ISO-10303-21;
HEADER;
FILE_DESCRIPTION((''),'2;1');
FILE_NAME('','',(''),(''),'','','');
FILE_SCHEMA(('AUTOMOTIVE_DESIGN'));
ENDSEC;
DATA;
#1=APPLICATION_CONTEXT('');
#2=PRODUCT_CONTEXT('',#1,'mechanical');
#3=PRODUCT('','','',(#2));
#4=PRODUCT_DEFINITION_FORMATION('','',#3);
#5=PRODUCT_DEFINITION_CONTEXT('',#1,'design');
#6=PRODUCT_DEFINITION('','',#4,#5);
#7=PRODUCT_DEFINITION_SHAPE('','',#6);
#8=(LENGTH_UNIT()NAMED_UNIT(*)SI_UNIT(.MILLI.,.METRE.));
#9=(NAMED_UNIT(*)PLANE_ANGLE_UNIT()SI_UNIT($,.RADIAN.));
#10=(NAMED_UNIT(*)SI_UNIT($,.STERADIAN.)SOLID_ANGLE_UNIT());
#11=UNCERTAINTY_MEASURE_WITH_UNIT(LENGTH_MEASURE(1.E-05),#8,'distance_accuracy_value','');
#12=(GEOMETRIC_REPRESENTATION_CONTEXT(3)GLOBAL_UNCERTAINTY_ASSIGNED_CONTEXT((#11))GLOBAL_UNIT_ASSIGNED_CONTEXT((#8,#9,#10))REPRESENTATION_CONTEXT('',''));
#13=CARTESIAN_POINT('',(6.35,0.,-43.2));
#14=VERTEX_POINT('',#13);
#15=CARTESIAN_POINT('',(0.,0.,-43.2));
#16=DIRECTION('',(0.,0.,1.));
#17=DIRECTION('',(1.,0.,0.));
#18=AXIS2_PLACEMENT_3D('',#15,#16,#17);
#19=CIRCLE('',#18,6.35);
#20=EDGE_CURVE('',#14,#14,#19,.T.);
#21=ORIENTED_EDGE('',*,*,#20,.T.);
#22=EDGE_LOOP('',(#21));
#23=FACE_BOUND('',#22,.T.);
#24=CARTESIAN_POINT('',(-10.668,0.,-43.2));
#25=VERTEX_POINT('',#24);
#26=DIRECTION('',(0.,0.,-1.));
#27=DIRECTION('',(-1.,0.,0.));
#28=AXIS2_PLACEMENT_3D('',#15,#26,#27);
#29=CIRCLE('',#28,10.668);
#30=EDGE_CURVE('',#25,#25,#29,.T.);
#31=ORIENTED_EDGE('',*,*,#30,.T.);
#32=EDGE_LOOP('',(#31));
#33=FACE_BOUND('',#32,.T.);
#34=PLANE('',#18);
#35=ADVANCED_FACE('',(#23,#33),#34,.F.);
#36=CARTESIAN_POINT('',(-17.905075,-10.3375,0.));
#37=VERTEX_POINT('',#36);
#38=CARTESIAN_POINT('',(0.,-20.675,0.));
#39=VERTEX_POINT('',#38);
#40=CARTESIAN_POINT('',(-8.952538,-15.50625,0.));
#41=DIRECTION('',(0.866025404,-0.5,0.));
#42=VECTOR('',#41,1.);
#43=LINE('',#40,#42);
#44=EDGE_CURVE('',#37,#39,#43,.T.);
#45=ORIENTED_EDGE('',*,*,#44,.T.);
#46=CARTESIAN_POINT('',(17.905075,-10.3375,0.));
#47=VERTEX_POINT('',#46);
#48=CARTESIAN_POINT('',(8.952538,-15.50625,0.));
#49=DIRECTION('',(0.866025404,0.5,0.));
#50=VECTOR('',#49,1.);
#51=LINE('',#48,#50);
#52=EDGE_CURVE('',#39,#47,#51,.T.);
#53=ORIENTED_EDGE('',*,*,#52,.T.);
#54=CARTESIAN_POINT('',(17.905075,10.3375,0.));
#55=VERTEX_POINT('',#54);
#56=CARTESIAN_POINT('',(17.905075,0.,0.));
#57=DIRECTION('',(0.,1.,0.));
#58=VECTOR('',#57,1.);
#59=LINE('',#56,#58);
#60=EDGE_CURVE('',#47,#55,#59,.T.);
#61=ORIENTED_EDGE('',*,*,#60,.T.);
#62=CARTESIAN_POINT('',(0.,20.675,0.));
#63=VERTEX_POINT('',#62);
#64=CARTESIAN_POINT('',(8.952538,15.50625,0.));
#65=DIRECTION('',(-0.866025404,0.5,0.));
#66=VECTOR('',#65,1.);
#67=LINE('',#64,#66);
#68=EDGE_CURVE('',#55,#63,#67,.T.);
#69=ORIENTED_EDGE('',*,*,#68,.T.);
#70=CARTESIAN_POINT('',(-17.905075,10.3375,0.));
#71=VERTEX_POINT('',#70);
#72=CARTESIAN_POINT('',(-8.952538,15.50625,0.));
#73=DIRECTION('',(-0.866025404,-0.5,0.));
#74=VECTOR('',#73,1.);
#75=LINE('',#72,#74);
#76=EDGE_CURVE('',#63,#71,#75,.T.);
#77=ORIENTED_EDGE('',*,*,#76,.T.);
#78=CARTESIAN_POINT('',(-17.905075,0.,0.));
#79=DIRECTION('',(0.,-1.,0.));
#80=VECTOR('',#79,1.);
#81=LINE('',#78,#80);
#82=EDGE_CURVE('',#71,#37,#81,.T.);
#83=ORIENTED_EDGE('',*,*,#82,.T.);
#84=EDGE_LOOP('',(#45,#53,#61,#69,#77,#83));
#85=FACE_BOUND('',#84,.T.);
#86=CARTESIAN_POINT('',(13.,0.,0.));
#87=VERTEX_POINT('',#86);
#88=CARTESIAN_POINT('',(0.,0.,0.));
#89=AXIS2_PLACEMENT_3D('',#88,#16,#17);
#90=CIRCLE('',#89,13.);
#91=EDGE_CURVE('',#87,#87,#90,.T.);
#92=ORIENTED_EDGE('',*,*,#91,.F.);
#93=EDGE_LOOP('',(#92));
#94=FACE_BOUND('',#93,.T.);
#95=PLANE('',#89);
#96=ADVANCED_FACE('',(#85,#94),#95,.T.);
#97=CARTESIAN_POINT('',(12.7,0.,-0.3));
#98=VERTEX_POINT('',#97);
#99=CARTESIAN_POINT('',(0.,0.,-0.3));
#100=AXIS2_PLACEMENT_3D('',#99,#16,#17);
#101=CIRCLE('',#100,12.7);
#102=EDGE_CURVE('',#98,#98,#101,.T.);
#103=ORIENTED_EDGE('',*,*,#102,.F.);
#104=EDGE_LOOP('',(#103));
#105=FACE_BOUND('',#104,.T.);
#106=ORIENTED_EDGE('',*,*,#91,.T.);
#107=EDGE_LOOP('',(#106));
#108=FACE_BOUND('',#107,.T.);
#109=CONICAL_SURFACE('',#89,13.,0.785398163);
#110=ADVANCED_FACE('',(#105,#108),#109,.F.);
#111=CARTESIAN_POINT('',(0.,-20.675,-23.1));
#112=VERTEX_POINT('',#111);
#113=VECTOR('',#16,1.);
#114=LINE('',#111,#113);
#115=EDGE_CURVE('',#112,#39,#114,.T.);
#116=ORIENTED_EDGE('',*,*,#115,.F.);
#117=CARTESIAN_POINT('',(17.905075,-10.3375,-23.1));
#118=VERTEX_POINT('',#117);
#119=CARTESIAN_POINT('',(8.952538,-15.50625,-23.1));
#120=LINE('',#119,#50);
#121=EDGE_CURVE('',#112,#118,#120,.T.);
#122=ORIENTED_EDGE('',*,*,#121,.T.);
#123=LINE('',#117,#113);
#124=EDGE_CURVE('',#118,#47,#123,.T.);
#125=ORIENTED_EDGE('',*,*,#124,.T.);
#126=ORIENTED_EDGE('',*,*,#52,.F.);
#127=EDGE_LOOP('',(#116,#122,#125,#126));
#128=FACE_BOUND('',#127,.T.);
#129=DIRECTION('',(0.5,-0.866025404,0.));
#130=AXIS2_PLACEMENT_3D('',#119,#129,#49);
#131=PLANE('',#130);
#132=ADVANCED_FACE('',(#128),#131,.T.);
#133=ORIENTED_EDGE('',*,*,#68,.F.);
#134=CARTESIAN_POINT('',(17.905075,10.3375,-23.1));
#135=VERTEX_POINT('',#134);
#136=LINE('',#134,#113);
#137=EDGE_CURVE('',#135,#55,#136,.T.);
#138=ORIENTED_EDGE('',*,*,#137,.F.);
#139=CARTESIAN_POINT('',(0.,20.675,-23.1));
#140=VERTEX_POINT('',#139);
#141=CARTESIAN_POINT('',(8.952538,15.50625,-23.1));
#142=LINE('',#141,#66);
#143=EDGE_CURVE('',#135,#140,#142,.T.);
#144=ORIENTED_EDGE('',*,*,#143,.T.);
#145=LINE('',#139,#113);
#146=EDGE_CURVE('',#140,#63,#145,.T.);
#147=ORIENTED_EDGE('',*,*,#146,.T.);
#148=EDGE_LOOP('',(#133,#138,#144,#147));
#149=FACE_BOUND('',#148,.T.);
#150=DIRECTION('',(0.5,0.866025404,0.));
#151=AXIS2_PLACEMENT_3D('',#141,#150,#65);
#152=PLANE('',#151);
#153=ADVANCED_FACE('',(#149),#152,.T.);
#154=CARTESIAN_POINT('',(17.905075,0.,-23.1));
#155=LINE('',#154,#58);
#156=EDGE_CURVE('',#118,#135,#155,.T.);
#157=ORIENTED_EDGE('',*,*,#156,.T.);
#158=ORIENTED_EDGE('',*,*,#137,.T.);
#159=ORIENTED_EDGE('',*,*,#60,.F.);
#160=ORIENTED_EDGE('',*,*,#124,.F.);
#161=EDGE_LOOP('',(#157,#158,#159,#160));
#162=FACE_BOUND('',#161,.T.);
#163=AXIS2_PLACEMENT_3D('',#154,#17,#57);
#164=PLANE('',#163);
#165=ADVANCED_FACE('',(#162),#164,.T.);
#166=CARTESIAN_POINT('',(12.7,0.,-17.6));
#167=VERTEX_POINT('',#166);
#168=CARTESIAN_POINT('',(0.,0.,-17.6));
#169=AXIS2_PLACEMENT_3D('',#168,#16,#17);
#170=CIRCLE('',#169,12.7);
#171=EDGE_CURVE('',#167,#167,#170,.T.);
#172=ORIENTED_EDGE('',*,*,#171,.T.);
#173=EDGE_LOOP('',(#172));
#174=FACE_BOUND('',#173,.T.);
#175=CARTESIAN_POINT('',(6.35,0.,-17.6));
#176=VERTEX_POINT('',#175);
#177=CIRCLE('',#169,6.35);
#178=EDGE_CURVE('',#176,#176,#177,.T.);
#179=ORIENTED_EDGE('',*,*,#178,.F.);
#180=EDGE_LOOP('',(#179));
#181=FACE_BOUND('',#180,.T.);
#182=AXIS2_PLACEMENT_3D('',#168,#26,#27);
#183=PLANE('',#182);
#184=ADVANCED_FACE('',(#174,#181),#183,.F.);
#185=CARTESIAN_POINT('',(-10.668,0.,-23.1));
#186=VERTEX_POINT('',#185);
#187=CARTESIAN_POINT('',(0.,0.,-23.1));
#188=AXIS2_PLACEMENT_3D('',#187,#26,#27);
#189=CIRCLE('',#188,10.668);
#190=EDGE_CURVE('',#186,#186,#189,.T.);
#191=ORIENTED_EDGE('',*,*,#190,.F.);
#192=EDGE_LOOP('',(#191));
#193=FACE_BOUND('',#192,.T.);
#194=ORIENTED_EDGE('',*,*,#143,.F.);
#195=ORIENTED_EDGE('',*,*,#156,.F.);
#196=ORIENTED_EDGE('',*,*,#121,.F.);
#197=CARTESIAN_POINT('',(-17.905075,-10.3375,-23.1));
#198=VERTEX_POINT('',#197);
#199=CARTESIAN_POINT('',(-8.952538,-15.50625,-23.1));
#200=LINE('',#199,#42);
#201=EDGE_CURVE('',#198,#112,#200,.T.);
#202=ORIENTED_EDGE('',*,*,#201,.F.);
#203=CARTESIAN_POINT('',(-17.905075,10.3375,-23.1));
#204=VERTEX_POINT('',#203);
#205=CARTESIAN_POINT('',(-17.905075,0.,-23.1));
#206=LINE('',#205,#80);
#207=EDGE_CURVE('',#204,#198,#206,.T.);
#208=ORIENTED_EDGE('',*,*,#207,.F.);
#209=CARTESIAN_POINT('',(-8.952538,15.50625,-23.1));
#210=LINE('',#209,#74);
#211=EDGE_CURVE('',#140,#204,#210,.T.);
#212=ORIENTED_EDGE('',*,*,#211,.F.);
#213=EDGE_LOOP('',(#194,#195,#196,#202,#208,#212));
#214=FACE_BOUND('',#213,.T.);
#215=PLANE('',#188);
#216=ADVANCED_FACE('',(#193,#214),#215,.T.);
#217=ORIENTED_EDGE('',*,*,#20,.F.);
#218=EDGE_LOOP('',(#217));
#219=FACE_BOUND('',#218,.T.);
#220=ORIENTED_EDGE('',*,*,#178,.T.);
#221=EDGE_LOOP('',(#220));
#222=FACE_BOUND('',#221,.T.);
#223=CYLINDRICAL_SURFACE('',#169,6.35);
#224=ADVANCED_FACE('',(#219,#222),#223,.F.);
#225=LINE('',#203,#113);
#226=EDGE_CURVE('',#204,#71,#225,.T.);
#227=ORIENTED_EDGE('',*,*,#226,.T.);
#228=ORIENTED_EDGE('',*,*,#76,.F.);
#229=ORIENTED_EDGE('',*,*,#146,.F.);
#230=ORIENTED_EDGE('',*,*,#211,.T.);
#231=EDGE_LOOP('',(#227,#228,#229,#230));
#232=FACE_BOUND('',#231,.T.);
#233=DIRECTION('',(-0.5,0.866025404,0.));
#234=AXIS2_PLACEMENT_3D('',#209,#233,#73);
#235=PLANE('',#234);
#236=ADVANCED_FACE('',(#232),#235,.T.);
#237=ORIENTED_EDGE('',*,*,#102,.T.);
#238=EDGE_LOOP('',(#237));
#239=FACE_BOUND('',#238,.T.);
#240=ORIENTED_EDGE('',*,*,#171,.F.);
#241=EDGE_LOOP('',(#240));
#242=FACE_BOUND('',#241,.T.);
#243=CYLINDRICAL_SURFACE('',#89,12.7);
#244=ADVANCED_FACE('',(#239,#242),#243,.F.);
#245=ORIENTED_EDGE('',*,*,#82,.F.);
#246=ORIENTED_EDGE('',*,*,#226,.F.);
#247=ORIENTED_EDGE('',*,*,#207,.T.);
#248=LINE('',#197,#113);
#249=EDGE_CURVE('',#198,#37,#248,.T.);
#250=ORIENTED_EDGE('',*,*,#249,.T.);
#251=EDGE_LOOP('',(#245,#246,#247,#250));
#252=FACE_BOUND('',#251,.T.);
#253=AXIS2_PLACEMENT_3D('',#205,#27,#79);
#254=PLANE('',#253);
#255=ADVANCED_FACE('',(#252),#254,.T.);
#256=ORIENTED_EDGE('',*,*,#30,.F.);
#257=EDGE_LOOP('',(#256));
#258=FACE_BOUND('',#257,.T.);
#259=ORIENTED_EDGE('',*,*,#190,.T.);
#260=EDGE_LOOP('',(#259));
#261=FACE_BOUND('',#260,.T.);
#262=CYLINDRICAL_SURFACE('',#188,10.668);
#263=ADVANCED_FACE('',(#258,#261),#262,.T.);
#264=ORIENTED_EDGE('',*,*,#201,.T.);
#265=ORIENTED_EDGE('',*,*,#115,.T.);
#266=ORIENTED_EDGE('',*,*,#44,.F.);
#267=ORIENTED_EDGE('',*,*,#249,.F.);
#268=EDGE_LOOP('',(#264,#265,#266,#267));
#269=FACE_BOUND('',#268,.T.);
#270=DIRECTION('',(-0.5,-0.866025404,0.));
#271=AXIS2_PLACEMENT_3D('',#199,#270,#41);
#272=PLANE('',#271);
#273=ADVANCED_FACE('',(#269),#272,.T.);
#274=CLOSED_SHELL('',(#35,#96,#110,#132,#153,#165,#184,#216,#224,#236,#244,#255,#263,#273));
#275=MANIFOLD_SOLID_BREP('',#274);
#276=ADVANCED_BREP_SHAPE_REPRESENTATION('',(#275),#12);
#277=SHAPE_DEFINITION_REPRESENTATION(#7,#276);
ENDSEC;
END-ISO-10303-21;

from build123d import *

# Parameters (mm, degrees)
SCHIZZO10_R                  = 20.675
ESTRUSIONE_ESTRUSIONE5_DEPTH = 43.2
TAGLIO_ESTRUSIONE11_DEPTH    = 23.1
FORO_25_5_25_4_1_D           = 25.4
FORO_25_5_25_4_1_DEPTH       = 17.6
FORO_25_5_25_4_1_CSINK_D     = 26
FORO_25_5_25_4_1_CSINK_ANGLE = 90
FORO_25_5_12_7_1_D           = 12.7
TAGLIO_ESTRUSIONE12_START    = -20.1
SCHIZZO24_R                  = 20.675
SCHIZZO24_R_2                = 10.668
TAGLIO_ESTRUSIONE12_DEPTH    = 20.1


with BuildPart() as part:
    # Schizzo10 → Estrusione-Estrusione5 (new body)
    with BuildSketch(Plane.XY):
        Circle(SCHIZZO10_R)
    extrude(amount=-ESTRUSIONE_ESTRUSIONE5_DEPTH)

    # Schizzo16 → Taglio-Estrusione11 (cut)
    with BuildSketch(Plane.XY):
        with BuildLine():
            Line((-17.905075223, 10.3375), (0, 20.675))
            ThreePointArc((0, 20.675), (-10.3375, 17.905075223), (-17.905075223, 10.3375))
        make_face()
        with BuildLine():
            ThreePointArc((17.905075223, 10.3375), (10.3375, 17.905075223), (0, 20.675))
            Line((0, 20.675), (17.905075223, 10.3375))
        make_face()
        with BuildLine():
            Line((-17.905075223, -10.3375), (-17.905075223, 10.3375))
            ThreePointArc((-17.905075223, 10.3375), (-20.675, 0), (-17.905075223, -10.3375))
        make_face()
        with BuildLine():
            Line((0, -20.675), (-17.905075223, -10.3375))
            ThreePointArc((-17.905075223, -10.3375), (-10.3375, -17.905075223), (0, -20.675))
        make_face()
        with BuildLine():
            ThreePointArc((0, -20.675), (10.3375, -17.905075223), (17.905075223, -10.3375))
            Line((17.905075223, -10.3375), (0, -20.675))
        make_face()
        with BuildLine():
            ThreePointArc((20.675, 0), (19.970516459, 5.351083757), (17.905075223, 10.3375))
            Line((17.905075223, 10.3375), (17.905075223, -10.3375))
            ThreePointArc((17.905075223, -10.3375), (19.970516459, -5.351083757), (20.675, 0))
        make_face()
    extrude(amount=-TAGLIO_ESTRUSIONE11_DEPTH, mode=Mode.SUBTRACT)

    # Foro Ø25.5 (25.4)-1
    with Locations(Plane.XY):
        with Locations((0, 0)):
            CounterSinkHole(FORO_25_5_25_4_1_D / 2, FORO_25_5_25_4_1_CSINK_D / 2, depth=FORO_25_5_25_4_1_DEPTH, counter_sink_angle=FORO_25_5_25_4_1_CSINK_ANGLE)

    # Foro Ø25.5 (12.7)-1 (through all)
    with Locations(Plane.XY.offset(-17.6)):
        with Locations((0, 0)):
            Hole(FORO_25_5_12_7_1_D / 2)

    # Schizzo24 → Taglio-Estrusione12 (cut)
    with BuildSketch(Plane(origin=(0, 0, -43.2), x_dir=(-1, 0, 0), z_dir=(0, 0, -1)).offset(TAGLIO_ESTRUSIONE12_START)):
        Circle(SCHIZZO24_R)
        Circle(SCHIZZO24_R_2, mode=Mode.SUBTRACT)
    extrude(amount=TAGLIO_ESTRUSIONE12_DEPTH, mode=Mode.SUBTRACT)


solid = part.part
